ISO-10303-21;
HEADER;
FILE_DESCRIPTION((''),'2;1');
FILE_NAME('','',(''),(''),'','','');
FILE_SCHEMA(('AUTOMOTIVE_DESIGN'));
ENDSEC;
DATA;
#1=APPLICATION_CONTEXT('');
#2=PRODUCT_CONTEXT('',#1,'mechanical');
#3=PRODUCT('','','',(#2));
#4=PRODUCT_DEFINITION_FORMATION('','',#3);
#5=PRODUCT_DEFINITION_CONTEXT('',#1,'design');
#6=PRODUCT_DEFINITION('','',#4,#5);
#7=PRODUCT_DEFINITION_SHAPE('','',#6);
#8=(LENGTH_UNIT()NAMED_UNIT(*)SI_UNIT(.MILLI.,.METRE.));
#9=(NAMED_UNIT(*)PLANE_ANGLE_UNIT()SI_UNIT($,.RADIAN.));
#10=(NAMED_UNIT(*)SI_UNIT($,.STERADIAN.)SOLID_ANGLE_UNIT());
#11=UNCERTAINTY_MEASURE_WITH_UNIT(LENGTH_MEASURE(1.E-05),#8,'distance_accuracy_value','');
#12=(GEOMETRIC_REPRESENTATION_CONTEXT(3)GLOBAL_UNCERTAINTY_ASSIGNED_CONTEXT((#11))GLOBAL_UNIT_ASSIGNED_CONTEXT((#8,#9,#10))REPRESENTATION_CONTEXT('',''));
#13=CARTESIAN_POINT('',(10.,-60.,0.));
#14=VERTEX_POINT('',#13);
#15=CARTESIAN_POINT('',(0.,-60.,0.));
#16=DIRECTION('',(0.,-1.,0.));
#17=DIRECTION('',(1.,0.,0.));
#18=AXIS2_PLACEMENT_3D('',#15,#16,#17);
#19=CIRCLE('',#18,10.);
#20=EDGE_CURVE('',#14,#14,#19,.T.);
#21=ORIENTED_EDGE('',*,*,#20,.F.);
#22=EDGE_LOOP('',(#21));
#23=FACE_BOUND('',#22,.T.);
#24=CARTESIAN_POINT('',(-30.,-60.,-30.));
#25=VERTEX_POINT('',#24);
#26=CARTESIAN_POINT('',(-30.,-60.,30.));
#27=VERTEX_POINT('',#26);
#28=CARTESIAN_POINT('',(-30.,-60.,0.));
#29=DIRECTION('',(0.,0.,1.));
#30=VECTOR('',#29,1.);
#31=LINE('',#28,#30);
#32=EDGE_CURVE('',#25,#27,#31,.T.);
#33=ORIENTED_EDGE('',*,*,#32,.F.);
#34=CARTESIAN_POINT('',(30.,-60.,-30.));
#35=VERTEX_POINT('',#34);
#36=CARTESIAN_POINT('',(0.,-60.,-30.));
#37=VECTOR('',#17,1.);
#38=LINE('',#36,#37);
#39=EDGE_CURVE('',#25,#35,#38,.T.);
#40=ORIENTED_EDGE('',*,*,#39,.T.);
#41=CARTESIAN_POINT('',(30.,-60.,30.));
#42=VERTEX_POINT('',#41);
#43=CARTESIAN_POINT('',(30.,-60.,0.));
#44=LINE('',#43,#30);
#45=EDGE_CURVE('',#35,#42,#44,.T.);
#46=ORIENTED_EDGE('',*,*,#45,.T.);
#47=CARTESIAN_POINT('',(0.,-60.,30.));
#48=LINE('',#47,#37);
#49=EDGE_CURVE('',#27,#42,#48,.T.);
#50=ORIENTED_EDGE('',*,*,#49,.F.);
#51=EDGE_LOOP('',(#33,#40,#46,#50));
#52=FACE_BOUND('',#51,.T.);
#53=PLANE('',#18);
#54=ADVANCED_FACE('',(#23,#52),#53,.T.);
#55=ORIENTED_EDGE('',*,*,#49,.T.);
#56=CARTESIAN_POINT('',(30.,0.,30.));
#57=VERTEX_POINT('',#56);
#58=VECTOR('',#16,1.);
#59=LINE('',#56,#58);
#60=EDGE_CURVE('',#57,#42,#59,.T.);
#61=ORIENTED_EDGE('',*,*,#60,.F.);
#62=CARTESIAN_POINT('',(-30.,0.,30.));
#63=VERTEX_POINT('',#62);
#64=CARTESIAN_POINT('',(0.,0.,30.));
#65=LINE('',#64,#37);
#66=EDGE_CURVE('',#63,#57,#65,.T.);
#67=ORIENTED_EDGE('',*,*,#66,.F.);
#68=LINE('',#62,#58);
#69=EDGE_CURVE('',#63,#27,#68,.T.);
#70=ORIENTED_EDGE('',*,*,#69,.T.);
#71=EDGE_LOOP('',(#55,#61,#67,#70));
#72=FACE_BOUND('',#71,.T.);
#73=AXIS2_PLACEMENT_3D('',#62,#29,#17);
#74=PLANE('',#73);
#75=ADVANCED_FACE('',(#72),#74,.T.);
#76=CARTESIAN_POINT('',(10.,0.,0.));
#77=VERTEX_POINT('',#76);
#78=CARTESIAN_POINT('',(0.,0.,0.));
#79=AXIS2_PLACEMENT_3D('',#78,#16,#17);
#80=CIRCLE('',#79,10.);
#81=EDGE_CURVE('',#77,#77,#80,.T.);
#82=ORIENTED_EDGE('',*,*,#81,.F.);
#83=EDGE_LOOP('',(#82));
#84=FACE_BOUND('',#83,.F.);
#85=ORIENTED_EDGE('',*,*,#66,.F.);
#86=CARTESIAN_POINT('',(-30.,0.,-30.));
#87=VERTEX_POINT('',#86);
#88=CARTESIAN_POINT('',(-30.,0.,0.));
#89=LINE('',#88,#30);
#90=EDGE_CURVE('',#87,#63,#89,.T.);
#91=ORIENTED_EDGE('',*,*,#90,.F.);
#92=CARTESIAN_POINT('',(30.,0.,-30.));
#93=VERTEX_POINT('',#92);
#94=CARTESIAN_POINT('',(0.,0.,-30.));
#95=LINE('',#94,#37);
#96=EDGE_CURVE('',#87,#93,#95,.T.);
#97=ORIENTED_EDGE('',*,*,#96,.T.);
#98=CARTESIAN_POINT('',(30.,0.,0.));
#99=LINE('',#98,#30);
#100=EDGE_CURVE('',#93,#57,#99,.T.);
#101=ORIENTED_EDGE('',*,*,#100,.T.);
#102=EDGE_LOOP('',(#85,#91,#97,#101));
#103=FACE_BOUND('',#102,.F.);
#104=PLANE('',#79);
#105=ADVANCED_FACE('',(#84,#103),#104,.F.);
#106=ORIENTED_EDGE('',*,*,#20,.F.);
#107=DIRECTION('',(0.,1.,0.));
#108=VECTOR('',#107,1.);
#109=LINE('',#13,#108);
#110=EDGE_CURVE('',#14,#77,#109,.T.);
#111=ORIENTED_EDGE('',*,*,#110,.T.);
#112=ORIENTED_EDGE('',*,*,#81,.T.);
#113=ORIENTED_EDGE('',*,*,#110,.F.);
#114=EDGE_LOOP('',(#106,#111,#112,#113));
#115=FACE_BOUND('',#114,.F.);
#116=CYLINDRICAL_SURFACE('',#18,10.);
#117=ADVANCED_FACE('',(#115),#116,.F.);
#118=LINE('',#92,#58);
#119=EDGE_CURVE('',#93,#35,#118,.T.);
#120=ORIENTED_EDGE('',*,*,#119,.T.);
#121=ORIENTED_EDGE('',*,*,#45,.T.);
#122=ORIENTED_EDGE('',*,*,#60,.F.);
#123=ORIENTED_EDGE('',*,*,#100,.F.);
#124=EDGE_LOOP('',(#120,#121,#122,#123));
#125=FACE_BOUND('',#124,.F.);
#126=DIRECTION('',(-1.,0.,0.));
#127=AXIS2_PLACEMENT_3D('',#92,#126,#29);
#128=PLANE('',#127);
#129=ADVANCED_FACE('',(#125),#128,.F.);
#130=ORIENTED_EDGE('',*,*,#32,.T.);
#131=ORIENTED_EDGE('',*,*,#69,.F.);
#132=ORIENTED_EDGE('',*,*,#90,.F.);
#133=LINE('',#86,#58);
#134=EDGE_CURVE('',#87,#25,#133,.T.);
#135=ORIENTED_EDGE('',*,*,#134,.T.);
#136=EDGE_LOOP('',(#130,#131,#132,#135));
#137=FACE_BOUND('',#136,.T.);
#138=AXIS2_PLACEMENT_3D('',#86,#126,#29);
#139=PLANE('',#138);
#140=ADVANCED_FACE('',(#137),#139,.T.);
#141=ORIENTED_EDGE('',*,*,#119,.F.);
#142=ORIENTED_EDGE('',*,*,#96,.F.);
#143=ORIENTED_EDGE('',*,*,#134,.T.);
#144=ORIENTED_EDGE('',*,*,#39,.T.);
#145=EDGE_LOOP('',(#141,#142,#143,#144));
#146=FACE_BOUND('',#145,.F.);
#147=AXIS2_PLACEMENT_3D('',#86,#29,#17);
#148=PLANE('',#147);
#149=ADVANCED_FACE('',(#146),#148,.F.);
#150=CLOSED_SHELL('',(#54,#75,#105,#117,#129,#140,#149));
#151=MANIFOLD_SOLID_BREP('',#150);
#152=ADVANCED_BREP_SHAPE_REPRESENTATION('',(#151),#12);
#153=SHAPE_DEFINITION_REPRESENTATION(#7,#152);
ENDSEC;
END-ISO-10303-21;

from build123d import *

# Parameters (mm, degrees)
F0_W     = 60
F0_H     = 60
F1_DEPTH = 60
F2_R     = 10
F3_DEPTH = 60.001


with BuildPart() as f1:
    # F0 (on Front) → F1 (new body)
    with BuildSketch(Plane.XZ):
        Rectangle(F0_W, F0_H)
    extrude(amount=F1_DEPTH)

    # F2 (on face) → F3 (cut, through all)
    with BuildSketch(Plane.XZ.offset(60)):
        Circle(F2_R)
    extrude(amount=-F3_DEPTH, mode=Mode.SUBTRACT)


solid = f1.part
